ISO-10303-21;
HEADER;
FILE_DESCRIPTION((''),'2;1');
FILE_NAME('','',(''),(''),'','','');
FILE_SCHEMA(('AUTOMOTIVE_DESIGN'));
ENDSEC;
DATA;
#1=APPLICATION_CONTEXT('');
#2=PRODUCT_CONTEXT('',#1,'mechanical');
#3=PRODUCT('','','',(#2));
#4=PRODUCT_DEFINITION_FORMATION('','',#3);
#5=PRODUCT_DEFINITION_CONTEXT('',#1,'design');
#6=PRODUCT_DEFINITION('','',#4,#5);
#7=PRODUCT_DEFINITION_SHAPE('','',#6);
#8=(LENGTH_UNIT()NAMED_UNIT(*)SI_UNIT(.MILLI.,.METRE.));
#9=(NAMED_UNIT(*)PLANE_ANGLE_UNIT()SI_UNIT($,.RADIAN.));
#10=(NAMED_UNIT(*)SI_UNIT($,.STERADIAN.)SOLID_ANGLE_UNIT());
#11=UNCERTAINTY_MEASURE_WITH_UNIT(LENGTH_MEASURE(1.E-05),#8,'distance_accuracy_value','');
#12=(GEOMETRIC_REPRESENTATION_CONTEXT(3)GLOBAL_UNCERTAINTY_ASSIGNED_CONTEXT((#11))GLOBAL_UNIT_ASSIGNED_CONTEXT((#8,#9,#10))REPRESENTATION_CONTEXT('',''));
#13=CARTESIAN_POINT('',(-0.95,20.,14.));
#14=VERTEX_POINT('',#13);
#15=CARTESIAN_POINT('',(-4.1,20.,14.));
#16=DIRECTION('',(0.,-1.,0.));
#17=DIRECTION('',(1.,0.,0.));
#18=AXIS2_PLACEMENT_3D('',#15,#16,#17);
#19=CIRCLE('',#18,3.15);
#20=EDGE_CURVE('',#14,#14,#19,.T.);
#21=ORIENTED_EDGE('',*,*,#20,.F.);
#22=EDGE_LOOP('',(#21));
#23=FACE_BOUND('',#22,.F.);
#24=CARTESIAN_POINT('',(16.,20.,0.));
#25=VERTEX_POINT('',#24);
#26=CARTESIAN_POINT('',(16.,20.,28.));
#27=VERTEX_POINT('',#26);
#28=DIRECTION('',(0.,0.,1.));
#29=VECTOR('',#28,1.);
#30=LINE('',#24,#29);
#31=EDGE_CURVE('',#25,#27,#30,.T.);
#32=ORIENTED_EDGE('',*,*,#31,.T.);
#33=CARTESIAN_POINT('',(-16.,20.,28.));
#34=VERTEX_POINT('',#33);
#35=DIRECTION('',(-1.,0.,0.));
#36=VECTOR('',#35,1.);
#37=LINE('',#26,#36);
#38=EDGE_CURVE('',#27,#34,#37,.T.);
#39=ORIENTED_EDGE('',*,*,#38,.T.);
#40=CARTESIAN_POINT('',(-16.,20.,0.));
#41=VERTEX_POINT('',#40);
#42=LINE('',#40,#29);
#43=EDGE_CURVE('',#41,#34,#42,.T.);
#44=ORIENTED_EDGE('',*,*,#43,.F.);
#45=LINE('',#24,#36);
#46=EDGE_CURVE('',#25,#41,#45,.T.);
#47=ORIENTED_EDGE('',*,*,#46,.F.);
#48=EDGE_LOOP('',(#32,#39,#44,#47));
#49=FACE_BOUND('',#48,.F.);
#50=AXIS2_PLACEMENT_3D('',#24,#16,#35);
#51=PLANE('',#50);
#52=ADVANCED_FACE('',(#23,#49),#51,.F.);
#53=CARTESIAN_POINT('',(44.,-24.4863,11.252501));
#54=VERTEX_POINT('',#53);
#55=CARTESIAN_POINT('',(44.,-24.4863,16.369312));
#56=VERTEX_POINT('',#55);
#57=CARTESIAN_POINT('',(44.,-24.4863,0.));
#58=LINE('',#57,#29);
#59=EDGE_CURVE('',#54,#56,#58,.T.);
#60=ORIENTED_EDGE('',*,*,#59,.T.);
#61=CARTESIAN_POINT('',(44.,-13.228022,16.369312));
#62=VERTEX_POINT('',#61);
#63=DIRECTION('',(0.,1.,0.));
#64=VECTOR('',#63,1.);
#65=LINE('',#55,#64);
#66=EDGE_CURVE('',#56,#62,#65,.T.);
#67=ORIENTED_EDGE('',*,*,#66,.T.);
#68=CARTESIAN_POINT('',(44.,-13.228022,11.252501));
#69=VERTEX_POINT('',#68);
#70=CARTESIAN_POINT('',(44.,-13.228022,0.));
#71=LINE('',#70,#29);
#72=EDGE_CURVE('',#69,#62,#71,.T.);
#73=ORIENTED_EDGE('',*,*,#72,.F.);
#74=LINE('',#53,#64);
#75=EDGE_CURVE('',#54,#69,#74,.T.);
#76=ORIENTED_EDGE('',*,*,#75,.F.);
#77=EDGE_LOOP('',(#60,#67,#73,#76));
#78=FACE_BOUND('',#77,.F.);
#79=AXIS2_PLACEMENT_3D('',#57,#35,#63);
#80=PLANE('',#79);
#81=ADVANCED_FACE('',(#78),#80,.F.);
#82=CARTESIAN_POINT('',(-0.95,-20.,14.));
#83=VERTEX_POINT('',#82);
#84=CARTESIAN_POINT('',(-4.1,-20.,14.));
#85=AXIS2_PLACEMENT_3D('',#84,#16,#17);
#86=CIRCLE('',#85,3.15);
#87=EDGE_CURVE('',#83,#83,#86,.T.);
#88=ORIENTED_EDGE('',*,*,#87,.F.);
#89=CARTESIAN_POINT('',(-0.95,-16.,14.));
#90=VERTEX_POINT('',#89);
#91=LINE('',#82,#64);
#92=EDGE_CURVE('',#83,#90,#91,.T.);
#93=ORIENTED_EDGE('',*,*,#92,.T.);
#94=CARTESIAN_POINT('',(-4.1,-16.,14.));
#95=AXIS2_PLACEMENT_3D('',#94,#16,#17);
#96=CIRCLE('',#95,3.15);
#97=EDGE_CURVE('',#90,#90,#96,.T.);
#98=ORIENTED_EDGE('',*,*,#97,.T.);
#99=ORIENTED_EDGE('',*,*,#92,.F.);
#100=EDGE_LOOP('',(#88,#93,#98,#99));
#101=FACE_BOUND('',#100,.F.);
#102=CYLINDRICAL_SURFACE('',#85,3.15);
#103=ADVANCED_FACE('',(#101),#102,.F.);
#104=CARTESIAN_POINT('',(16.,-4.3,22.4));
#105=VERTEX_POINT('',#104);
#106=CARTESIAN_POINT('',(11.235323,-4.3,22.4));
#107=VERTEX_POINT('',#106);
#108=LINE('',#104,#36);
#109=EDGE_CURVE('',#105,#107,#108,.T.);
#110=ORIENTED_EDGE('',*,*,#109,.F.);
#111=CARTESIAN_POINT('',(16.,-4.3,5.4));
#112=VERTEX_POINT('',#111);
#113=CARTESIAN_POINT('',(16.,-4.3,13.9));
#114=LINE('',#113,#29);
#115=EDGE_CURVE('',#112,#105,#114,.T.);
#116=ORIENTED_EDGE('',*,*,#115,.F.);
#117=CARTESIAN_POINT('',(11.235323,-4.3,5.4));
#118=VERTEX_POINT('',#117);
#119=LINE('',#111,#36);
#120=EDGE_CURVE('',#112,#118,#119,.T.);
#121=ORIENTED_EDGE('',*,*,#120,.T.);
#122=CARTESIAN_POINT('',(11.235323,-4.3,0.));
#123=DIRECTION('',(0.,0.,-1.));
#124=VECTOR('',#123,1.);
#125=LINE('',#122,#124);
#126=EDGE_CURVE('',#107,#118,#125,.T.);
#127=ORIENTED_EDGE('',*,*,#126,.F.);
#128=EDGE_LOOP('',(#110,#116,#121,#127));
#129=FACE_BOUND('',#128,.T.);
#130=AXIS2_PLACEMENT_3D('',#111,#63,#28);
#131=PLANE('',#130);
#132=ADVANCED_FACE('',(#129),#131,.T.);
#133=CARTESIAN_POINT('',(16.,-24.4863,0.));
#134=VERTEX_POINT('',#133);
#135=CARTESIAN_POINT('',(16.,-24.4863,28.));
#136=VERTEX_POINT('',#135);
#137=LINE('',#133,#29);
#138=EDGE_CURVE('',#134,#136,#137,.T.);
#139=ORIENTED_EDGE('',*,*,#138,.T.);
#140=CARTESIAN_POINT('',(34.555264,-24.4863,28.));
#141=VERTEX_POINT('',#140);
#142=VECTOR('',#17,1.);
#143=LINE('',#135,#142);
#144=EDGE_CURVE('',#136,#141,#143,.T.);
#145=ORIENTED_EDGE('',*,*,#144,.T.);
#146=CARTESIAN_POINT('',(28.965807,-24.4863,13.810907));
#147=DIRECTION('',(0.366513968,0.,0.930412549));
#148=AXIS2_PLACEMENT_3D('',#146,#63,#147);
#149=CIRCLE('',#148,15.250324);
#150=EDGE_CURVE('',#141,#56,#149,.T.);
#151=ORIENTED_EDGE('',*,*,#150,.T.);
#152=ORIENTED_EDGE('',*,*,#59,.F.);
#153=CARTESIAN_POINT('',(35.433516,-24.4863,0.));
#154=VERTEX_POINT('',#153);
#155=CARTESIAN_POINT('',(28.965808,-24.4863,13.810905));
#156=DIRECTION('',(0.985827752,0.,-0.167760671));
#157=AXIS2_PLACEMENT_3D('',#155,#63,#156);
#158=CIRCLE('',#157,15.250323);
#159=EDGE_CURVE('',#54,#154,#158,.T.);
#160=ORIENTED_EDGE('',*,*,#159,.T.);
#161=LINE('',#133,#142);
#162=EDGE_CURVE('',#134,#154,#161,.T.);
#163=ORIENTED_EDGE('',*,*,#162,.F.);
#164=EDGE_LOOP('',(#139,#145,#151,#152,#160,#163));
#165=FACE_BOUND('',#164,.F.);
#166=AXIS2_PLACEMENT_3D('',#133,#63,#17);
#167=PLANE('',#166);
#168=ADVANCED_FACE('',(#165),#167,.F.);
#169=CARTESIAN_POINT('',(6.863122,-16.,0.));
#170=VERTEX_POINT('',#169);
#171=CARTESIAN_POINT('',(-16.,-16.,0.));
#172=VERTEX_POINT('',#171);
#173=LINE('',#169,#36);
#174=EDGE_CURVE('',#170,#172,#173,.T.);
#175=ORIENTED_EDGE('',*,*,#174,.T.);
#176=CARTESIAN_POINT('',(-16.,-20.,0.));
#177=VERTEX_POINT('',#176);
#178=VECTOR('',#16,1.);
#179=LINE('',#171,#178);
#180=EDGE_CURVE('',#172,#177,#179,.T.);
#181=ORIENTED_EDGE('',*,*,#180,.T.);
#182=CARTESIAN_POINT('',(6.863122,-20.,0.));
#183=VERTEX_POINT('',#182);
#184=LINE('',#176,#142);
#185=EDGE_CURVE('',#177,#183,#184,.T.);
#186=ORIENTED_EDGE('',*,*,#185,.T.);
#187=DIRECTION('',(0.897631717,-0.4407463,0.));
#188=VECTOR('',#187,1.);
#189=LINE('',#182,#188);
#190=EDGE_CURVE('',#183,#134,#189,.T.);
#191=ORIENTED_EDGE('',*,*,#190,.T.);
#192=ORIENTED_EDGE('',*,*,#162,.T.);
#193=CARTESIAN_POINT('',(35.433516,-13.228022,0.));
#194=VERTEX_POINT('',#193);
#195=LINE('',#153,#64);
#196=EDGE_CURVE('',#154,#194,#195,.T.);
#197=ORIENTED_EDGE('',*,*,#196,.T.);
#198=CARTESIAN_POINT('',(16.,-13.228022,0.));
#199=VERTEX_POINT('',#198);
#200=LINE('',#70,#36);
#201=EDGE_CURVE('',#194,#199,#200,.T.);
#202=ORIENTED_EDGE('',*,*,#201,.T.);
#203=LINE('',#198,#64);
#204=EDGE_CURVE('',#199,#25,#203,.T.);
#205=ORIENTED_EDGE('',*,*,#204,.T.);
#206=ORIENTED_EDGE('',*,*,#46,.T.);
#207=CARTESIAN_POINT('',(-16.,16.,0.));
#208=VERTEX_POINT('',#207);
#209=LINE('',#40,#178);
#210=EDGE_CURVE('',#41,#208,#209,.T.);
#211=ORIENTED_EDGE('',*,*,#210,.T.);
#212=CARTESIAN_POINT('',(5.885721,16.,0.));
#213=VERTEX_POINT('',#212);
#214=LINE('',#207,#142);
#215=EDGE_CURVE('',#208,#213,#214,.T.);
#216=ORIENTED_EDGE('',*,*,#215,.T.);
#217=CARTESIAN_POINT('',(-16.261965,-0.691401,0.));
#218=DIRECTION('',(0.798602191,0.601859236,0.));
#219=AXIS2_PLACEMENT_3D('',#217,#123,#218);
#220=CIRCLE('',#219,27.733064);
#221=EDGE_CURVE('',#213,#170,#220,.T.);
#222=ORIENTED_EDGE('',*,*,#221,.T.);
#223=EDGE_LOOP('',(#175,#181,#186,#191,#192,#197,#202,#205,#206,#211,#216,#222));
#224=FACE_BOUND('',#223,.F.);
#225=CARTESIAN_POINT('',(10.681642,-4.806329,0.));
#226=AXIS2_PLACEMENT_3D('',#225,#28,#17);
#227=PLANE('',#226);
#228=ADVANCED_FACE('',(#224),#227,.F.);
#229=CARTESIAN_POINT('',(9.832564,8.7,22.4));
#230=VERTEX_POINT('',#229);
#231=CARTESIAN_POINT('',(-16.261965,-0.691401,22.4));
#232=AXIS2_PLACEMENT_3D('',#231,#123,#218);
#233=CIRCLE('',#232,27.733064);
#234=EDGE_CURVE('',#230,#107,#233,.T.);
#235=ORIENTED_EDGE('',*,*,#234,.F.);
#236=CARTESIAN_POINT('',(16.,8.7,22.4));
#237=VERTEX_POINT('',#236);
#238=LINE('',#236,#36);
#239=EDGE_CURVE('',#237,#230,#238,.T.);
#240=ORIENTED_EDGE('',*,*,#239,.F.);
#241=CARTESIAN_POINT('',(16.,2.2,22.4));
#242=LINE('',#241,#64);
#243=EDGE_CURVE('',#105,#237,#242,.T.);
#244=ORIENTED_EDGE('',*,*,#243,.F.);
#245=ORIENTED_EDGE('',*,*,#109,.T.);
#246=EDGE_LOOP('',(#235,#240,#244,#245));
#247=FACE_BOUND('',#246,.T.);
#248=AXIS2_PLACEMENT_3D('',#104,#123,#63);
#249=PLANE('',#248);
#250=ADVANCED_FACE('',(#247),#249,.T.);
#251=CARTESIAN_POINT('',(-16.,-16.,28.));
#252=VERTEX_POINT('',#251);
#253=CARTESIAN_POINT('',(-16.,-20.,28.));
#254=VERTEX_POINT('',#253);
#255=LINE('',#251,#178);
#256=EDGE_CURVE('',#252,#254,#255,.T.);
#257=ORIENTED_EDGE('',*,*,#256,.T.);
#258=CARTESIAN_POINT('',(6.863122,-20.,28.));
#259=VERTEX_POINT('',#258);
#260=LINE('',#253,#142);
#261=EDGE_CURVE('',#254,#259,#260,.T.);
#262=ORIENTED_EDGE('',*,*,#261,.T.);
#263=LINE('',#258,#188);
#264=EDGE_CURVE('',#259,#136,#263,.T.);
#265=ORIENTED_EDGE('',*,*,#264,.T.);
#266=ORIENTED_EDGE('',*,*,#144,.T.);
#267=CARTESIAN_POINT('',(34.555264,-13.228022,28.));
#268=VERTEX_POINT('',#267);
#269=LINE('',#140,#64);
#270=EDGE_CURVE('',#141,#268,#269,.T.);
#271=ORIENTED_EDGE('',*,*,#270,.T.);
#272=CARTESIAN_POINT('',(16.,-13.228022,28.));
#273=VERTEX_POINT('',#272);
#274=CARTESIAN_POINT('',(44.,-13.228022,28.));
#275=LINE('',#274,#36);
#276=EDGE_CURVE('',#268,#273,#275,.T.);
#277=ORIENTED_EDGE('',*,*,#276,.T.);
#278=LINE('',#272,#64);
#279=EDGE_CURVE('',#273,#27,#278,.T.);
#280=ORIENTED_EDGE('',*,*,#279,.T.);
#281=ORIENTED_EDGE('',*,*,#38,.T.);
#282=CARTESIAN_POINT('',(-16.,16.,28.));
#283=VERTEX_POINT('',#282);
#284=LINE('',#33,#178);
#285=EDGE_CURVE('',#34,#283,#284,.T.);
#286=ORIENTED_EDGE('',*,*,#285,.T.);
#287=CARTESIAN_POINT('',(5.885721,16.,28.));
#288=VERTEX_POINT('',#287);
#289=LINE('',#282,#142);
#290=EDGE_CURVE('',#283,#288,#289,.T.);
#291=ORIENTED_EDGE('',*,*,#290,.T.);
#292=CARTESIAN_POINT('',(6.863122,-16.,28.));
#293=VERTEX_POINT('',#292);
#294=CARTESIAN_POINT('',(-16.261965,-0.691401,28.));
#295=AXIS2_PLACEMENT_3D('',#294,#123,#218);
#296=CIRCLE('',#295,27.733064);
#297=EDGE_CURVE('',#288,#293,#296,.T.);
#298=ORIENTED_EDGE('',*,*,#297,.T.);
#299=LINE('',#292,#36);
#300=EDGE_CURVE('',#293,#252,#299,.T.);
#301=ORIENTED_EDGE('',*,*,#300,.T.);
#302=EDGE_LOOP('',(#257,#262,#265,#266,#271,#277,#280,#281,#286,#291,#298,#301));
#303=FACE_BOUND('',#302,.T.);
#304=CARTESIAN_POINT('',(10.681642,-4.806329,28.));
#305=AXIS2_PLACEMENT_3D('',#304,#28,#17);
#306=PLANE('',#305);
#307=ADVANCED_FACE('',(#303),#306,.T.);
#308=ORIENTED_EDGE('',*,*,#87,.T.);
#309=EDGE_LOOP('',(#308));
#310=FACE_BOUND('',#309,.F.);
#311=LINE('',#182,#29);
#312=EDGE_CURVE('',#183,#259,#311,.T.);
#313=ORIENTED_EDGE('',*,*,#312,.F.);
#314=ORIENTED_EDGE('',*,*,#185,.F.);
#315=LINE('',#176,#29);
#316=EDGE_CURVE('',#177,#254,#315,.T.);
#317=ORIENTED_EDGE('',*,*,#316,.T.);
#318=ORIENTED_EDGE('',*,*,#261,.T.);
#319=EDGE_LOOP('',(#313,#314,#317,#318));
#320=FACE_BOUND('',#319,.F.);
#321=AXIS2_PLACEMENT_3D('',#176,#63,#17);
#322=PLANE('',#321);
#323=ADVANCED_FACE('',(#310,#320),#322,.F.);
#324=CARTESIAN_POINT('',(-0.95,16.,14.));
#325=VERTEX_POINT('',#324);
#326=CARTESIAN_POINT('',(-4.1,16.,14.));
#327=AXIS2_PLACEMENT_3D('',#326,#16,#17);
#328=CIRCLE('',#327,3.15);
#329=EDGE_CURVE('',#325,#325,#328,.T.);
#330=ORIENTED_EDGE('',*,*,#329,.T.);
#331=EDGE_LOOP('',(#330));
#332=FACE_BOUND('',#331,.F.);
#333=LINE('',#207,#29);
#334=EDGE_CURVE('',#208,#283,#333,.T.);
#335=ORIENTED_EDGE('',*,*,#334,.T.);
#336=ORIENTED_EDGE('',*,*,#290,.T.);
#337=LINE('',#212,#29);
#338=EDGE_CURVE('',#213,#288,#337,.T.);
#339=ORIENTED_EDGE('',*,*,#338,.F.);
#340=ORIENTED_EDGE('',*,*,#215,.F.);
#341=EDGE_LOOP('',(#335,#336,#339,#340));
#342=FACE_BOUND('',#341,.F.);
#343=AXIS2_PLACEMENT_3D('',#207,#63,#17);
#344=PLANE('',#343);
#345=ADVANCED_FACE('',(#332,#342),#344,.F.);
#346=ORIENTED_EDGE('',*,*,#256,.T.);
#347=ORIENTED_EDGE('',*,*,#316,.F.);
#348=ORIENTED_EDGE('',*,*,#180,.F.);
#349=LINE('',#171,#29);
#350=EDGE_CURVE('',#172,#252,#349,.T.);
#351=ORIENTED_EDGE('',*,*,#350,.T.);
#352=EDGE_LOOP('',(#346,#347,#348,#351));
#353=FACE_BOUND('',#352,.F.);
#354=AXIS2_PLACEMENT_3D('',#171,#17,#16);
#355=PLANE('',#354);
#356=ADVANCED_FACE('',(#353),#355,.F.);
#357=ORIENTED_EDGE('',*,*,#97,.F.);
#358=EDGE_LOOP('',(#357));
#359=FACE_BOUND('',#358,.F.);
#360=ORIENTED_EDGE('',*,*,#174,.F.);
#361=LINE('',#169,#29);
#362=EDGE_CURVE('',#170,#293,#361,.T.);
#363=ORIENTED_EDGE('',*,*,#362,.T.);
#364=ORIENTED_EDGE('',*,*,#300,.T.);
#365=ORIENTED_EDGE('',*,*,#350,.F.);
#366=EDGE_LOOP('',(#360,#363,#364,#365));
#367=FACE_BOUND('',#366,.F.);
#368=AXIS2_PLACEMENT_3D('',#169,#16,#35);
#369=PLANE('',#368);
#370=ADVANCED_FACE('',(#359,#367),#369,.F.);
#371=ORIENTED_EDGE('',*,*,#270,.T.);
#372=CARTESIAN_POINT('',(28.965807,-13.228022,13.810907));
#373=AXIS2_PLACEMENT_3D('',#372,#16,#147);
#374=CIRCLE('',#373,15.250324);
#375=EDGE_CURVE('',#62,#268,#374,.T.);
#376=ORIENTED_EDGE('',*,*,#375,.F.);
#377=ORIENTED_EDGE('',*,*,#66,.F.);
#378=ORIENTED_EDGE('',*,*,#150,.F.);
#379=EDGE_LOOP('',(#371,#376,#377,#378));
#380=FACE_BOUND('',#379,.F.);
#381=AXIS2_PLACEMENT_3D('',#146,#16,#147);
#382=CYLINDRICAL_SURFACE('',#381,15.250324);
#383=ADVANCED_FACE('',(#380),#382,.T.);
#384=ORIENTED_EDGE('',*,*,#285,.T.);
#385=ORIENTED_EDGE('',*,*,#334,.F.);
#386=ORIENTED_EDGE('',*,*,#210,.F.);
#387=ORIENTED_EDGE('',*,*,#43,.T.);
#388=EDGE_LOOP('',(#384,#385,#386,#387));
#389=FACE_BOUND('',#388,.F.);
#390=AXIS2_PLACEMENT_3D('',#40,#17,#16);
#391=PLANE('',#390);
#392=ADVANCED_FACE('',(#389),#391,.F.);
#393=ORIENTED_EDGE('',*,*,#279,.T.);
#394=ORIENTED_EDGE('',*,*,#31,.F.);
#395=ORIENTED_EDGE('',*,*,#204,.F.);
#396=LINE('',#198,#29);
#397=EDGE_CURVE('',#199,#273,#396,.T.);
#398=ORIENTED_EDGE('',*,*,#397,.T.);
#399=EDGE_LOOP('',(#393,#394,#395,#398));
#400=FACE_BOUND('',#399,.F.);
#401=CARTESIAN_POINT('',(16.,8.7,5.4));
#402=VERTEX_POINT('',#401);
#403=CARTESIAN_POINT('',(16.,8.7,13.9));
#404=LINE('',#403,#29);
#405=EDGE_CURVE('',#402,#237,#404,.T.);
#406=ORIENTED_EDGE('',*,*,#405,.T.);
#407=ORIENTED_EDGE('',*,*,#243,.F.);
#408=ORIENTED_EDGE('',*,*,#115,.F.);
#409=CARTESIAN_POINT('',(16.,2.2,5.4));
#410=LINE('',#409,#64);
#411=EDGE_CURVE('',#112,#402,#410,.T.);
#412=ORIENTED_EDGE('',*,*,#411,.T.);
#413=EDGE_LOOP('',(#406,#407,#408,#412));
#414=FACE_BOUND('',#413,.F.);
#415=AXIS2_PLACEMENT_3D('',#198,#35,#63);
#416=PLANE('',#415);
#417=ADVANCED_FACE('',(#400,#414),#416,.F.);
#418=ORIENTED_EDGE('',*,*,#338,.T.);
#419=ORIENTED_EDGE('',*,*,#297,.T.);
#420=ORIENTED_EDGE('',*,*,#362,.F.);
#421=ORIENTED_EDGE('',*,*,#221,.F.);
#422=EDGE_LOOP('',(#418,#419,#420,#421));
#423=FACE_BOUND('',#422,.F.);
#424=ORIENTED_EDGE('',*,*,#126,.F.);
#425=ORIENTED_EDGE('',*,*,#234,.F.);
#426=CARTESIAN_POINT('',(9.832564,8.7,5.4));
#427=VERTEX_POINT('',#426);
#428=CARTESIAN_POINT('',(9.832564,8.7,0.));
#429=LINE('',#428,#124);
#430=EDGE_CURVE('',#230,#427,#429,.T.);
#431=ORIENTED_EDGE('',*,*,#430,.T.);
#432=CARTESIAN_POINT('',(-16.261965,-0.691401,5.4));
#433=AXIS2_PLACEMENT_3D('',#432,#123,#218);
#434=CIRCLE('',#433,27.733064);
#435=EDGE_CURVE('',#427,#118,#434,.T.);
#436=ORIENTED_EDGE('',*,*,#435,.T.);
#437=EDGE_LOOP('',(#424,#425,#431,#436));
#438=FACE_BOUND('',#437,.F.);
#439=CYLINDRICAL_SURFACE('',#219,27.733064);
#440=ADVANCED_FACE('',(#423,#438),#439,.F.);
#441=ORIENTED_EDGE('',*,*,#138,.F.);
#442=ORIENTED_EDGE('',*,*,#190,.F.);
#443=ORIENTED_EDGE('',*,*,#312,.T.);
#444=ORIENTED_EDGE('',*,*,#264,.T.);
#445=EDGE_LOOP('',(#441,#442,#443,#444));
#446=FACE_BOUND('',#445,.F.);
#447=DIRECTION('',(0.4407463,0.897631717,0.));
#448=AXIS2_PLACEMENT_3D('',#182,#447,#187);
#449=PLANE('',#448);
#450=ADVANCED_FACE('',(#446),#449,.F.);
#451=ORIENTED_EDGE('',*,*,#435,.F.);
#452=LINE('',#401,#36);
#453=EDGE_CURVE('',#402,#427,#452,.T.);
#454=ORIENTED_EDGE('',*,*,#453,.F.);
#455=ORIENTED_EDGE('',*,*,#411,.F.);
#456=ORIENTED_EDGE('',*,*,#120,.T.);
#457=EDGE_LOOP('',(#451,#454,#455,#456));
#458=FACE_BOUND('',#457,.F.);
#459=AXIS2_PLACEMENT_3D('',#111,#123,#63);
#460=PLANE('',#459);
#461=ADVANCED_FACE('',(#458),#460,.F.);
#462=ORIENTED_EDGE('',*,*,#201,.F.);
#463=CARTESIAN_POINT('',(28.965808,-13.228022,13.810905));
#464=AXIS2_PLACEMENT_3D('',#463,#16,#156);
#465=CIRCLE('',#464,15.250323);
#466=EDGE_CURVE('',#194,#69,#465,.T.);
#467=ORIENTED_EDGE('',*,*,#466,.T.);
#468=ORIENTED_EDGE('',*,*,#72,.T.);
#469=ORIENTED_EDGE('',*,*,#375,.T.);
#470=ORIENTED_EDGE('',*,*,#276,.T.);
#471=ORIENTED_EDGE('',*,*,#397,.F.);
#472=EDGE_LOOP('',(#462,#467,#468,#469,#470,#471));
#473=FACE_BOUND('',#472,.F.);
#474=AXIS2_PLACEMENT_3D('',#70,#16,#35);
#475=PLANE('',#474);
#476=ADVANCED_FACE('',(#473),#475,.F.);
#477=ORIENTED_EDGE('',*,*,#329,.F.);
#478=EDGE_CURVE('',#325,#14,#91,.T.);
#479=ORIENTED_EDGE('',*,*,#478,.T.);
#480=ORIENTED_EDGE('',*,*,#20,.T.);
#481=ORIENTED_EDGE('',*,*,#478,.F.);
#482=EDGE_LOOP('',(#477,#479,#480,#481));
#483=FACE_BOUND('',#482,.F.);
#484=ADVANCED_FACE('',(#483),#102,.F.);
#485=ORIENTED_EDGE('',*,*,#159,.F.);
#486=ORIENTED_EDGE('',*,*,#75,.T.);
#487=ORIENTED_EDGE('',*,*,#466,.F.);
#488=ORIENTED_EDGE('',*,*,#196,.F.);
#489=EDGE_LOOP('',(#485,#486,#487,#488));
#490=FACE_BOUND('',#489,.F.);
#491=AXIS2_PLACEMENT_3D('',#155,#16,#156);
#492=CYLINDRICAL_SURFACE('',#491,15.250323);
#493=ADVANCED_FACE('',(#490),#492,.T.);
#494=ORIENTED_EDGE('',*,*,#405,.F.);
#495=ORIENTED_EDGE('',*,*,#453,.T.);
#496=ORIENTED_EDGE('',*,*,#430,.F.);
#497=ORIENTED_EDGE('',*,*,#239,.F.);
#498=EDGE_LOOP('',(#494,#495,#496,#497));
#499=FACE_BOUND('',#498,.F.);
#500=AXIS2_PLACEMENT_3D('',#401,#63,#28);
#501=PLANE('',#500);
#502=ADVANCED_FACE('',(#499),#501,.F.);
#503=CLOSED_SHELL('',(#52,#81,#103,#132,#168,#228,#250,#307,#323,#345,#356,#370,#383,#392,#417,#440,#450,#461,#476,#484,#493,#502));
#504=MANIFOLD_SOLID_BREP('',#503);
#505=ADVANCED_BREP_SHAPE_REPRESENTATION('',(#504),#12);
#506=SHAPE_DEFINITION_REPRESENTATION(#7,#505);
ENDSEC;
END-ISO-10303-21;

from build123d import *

# Parameters (mm, degrees)
F1_DEPTH = 28
F2_R     = 3.15
F3_DEPTH = 40.001
F4_W     = 13
F4_H     = 17
F5_DEPTH = 32.001
F7_DEPTH = 44.4873


with BuildPart() as f1:
    # F0 (on Top) → F1 (new body)
    with BuildSketch(Plane.XY):
        with BuildLine():
            Line((16, 20), (-16, 20))
            Line((-16, 20), (-16, 16))
            Line((-16, 16), (-14, 16))
            Line((-14, 16), (5.885721, 16))
            ThreePointArc((5.885721, 16), (11.458172, 0.155277), (6.863122, -16))
            Line((6.863122, -16), (-14, -16))
            Line((-14, -16), (-16, -16))
            Line((-16, -16), (-16, -20))
            Line((-16, -20), (6.863122, -20))
            Line((6.863122, -20), (16, -24.4863))
            Line((16, -24.4863), (44, -24.4863))
            Line((44, -24.4863), (44, -20))
            Line((44, -20), (44, -13.228022))
            Line((44, -13.228022), (16, -13.228022))
            Line((16, -13.228022), (16, -10))
            Line((16, -10), (16, 20))
        make_face()
    extrude(amount=F1_DEPTH)

    # F2 (on face) → F3 (cut, through all)
    with BuildSketch(Plane.XZ.offset(20)):
        with Locations((-4.1, 14)):
            Circle(F2_R)
    extrude(amount=-F3_DEPTH, mode=Mode.SUBTRACT)

    # F4 (on face) → F5 (cut, through all)
    with BuildSketch(Plane.YZ.offset(16)):
        with Locations((2.2, 13.9)):
            Rectangle(F4_W, F4_H)
    extrude(amount=-F5_DEPTH, mode=Mode.SUBTRACT)

    # F6 (on face) → F7 (cut, through all)
    with BuildSketch(Plane.XZ.offset(24.4863)):
        with BuildLine():
            ThreePointArc((34.555264, 28), (40.804386, 23.424462), (44, 16.369312))
            Line((44, 16.369312), (44, 28))
            Line((44, 28), (34.555264, 28))
        make_face()
        with BuildLine():
            ThreePointArc((44, 11.252501), (41.099959, 4.573225), (35.433516, 0))
            Line((35.433516, 0), (44, 0))
            Line((44, 0), (44, 11.252501))
        make_face()
    extrude(amount=-F7_DEPTH, mode=Mode.SUBTRACT)


solid = f1.part
